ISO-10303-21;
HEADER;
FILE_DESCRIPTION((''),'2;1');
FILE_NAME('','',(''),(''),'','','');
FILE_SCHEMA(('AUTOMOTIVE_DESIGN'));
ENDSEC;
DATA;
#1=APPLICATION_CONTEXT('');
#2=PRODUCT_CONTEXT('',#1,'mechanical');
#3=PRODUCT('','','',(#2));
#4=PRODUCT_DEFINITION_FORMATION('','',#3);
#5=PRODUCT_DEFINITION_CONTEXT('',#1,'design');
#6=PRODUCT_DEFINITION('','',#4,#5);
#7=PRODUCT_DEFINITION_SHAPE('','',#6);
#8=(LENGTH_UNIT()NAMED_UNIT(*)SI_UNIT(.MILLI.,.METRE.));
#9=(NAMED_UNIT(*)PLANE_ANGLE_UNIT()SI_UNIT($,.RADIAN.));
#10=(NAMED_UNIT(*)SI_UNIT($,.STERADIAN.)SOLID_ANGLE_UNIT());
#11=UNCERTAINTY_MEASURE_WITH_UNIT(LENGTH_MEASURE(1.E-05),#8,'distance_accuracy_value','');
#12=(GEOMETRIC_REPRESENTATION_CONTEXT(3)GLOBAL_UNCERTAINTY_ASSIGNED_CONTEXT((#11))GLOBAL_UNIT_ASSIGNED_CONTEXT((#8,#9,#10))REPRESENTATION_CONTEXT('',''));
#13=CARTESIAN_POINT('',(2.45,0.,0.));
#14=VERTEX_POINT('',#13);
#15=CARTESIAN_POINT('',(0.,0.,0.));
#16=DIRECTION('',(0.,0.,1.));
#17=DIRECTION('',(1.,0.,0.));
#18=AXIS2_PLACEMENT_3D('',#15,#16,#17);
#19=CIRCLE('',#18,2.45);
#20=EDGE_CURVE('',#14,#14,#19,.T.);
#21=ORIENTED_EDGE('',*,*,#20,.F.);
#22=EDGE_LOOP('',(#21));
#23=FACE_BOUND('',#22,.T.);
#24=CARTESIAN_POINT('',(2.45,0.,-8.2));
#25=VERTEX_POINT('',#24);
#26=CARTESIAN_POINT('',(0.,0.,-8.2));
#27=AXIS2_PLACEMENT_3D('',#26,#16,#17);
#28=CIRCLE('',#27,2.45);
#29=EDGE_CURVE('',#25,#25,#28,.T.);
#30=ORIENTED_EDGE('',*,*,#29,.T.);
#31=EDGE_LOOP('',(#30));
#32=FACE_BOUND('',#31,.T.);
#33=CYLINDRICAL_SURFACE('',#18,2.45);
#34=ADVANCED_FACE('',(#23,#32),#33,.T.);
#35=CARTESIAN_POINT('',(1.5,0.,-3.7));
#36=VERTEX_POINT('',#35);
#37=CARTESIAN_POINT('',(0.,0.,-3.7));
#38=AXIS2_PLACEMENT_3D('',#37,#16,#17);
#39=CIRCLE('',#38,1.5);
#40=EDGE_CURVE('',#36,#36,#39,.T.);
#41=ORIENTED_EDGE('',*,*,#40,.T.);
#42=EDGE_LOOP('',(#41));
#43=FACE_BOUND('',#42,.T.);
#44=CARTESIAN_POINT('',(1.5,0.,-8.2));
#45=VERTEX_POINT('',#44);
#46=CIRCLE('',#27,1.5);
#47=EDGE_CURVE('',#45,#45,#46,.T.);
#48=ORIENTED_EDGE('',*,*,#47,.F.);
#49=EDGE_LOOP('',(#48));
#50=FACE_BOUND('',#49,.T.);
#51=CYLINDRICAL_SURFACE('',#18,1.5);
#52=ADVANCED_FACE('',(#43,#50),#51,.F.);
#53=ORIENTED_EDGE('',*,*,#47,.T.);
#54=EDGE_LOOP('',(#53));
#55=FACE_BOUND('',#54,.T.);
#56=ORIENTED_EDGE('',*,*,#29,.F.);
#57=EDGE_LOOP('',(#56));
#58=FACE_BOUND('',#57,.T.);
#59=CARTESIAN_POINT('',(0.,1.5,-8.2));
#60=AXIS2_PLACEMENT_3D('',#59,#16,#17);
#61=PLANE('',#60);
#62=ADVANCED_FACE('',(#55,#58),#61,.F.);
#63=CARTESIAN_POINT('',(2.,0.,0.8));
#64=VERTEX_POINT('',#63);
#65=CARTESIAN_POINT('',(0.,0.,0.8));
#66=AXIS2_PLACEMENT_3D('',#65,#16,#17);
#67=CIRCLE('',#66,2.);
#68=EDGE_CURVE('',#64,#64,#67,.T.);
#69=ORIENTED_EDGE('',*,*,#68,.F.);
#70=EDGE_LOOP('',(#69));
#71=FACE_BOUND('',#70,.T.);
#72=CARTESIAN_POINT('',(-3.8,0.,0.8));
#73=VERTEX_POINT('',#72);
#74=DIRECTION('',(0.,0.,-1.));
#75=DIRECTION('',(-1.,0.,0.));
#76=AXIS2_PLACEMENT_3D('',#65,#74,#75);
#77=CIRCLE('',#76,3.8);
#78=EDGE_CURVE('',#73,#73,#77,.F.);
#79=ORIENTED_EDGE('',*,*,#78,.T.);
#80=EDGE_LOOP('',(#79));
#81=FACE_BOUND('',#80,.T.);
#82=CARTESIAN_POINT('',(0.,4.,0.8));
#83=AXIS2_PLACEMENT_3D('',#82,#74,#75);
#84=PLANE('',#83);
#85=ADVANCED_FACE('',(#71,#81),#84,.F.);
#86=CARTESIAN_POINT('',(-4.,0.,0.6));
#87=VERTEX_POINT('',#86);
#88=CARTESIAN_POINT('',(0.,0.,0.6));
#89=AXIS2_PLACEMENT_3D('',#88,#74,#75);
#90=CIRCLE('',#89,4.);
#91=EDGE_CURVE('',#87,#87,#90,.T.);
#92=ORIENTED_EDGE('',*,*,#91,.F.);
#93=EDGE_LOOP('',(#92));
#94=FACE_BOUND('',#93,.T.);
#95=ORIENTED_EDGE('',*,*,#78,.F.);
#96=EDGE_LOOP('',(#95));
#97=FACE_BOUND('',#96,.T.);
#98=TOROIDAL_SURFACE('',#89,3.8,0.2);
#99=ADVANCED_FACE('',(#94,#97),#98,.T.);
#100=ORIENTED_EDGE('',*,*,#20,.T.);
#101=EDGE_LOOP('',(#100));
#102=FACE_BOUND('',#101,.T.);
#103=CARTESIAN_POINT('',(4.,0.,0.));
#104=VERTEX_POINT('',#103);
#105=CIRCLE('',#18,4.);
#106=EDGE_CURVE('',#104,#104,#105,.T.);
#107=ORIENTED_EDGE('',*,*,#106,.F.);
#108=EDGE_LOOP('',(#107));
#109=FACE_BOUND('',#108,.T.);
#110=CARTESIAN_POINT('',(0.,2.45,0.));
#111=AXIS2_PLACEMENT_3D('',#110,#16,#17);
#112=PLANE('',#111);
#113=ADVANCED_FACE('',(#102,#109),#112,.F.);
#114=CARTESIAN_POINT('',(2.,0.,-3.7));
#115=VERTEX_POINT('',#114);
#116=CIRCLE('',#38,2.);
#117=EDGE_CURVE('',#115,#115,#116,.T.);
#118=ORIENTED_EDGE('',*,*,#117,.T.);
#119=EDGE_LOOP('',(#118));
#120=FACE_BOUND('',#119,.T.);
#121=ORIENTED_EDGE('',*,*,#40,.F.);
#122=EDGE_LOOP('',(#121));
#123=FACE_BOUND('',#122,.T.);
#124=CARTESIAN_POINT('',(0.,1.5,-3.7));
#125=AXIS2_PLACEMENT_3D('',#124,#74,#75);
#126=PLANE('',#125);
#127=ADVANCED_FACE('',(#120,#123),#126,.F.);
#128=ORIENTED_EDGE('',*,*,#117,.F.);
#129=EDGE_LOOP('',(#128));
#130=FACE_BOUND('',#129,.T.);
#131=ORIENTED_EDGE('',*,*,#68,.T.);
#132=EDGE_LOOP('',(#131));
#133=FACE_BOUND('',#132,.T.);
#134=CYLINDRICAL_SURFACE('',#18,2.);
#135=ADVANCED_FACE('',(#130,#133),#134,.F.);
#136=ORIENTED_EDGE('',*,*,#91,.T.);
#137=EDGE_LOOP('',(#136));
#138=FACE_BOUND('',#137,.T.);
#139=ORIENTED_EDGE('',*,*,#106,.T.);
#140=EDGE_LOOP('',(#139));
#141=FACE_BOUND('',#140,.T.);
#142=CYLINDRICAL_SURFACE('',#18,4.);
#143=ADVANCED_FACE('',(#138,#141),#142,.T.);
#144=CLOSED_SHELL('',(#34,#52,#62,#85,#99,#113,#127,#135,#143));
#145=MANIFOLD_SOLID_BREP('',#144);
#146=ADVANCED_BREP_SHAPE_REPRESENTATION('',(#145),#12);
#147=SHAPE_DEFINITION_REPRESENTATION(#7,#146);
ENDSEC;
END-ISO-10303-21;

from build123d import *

# Parameters (mm, degrees)
FILLET_1_R = 0.2


with BuildPart() as part:
    # 草图1 → 旋转1 (revolve)
    with BuildSketch(Plane(origin=(0, 0, 0), x_dir=(0, 0, -1), z_dir=(1, 0, 0)), mode=Mode.PRIVATE) as revolve_1_sk:
        Polygon((0, 2.45), (0, 4), (-0.8, 4), (-0.8, 2), (3.7, 2), (3.7, 1.5), (8.2, 1.5), (8.2, 2.45), align=None)
    revolve(revolve_1_sk.sketch.rotate(Axis((0, 0, 0), (0, 0, -1)), 90), axis=Axis((0, 0, 0), (0, 0, -1)))

    # 圆角1
    fillet_1_edges = [part.edges().sort_by_distance(p)[0] for p in [
        (-4, 0, 0.8),
    ]]
    fillet(fillet_1_edges, radius=FILLET_1_R)


solid = part.part
